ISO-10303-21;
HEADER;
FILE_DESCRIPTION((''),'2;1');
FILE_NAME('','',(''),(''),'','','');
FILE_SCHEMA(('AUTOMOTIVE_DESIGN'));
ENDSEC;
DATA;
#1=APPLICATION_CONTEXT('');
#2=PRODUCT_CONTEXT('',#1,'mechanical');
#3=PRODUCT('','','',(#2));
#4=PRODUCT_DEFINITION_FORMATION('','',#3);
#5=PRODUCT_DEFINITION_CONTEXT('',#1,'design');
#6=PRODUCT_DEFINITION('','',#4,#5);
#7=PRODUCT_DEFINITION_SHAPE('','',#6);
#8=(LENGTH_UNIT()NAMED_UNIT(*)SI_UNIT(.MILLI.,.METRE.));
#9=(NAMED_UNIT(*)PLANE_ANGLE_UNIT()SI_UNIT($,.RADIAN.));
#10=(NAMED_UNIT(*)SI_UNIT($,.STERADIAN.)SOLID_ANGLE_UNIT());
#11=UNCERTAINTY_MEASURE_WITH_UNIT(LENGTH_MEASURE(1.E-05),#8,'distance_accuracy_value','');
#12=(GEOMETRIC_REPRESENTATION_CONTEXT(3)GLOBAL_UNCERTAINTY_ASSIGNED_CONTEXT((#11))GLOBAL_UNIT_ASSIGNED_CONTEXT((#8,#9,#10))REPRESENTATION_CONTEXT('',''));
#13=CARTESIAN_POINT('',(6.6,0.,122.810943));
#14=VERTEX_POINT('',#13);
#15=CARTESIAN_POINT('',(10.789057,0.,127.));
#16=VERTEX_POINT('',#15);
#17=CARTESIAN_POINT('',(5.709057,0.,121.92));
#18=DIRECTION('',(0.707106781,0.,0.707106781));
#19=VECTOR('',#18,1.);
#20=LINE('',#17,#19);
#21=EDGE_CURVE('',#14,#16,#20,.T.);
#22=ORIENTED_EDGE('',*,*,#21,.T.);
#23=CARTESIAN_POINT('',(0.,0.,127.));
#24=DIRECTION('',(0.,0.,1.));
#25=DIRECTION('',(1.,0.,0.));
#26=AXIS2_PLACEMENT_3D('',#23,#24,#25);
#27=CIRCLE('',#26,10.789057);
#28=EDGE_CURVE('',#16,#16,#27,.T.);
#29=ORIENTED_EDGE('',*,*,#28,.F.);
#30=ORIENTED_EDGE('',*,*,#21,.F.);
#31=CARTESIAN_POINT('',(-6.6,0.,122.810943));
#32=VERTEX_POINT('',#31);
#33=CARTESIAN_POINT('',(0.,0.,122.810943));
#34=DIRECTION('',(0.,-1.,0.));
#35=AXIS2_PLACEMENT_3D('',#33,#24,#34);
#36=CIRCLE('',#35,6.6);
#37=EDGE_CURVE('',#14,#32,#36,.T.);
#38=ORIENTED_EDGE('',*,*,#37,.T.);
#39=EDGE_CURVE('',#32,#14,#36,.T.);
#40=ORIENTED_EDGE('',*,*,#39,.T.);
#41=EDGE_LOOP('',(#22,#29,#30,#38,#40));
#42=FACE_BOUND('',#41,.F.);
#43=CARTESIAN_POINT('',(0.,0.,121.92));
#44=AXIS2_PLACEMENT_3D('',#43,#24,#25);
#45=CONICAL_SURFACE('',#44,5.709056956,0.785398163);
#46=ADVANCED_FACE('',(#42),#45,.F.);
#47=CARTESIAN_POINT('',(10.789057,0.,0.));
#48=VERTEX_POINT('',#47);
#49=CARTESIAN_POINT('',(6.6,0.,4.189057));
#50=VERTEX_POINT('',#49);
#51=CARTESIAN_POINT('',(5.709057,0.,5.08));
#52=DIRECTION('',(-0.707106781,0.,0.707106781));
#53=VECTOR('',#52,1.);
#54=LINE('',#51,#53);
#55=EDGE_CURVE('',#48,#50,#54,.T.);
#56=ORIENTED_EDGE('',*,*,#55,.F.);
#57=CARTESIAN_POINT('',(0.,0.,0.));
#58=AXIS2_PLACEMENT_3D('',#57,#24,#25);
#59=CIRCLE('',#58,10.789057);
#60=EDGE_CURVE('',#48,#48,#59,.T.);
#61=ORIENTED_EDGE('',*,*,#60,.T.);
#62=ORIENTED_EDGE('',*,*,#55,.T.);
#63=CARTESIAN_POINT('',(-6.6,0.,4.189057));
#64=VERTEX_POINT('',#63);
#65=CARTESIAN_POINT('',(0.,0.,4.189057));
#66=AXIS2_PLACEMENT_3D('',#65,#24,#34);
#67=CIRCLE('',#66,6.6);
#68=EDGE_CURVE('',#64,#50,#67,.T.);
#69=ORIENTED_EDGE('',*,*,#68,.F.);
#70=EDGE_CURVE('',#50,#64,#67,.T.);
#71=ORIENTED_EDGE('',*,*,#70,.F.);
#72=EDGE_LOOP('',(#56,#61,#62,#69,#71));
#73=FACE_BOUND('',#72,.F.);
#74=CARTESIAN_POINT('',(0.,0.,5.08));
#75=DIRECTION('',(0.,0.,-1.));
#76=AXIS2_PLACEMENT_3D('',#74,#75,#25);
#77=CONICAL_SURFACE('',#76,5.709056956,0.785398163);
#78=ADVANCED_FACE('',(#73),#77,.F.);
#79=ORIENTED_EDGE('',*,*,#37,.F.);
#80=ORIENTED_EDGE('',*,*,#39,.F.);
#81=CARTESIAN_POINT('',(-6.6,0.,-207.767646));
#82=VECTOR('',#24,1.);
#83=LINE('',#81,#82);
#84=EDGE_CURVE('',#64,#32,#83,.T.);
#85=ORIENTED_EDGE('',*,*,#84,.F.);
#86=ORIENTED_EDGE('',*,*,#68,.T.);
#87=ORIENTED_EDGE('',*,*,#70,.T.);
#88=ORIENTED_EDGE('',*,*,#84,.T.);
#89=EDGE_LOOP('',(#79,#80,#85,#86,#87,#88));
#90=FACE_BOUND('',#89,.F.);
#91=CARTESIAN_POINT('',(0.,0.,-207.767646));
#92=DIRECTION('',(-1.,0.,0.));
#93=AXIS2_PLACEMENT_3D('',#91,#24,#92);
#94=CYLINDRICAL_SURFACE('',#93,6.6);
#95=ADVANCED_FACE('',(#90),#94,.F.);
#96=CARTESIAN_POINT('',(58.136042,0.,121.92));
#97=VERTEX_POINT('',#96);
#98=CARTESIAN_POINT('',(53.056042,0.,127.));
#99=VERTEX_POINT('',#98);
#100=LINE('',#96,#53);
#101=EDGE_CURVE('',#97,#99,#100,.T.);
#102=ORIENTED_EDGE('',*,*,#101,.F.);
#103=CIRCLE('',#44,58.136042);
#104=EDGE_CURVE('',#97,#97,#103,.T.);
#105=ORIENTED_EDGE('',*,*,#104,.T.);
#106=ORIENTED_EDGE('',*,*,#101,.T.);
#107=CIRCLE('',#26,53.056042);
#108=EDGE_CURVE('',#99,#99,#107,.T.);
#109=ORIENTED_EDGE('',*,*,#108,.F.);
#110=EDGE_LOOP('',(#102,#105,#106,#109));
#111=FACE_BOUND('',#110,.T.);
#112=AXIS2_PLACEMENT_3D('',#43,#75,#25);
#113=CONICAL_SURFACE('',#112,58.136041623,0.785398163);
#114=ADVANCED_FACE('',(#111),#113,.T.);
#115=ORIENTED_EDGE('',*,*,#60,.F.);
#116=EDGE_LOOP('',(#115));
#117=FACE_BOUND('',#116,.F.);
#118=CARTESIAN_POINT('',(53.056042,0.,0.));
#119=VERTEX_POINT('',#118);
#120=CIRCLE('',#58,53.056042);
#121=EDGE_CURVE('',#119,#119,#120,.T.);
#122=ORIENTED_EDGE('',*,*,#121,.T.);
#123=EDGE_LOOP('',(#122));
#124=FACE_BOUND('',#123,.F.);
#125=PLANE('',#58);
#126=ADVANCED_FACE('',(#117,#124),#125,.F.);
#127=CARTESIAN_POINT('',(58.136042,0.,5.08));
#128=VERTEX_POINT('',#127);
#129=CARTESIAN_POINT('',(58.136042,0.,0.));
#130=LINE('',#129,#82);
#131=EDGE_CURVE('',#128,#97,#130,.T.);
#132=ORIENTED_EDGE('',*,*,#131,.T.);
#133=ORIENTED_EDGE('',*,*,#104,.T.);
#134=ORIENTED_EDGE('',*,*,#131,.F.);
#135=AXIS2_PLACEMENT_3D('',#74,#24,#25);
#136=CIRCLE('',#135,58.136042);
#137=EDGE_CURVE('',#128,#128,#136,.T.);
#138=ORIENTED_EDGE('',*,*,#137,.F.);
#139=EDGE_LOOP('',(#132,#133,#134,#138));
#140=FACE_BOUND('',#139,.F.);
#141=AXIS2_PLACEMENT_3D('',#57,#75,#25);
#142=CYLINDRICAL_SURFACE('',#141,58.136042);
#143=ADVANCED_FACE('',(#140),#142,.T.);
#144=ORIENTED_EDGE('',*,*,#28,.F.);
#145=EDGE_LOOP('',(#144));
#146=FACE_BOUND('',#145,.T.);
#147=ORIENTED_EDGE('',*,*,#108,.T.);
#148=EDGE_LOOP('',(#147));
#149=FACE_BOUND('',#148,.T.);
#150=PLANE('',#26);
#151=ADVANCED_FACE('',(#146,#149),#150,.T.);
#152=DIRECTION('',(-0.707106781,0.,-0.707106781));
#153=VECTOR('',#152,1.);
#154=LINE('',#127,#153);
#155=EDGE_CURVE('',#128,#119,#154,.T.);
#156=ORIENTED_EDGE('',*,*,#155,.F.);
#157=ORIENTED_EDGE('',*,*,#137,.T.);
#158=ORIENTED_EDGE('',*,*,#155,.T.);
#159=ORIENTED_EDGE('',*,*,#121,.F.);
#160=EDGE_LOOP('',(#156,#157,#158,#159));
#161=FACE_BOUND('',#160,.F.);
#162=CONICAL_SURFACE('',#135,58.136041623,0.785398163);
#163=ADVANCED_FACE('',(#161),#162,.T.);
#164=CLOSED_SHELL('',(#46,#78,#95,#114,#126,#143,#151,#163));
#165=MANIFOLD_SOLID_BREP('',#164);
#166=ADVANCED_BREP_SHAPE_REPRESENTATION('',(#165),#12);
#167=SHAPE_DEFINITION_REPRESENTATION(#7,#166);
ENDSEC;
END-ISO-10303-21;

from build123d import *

# Parameters (mm, degrees)
F0_R     = 58.136041623
F0_R_2   = 5.7090569563
F1_DEPTH = 127
F2_SIZE  = 5.08
F3_SIZE  = 5.08
F4_D     = 13.2


with BuildPart() as f1:
    # F0 (on Top) → F1 (new body)
    with BuildSketch(Plane.XY):
        Circle(F0_R)
        Circle(F0_R_2, mode=Mode.SUBTRACT)
    extrude(amount=F1_DEPTH)

    # F2
    f2_edges = [f1.edges().sort_by_distance(p)[0] for p in [
        (-58.136042, 0, 127),
        (-5.709057, 0, 127),
    ]]
    chamfer(f2_edges, length=F2_SIZE)

    # F3
    f3_edges = [f1.edges().sort_by_distance(p)[0] for p in [
        (-58.136042, 0, 0),
        (-5.709057, 0, 0),
    ]]
    chamfer(f3_edges, length=F3_SIZE)

    # F4 (through all)
    with Locations(Plane(origin=(0, 0, 0), x_dir=(1, 0, 0), z_dir=(0, 0, -1))):
        with Locations((0, 0)):
            Hole(F4_D / 2)


solid = f1.part
